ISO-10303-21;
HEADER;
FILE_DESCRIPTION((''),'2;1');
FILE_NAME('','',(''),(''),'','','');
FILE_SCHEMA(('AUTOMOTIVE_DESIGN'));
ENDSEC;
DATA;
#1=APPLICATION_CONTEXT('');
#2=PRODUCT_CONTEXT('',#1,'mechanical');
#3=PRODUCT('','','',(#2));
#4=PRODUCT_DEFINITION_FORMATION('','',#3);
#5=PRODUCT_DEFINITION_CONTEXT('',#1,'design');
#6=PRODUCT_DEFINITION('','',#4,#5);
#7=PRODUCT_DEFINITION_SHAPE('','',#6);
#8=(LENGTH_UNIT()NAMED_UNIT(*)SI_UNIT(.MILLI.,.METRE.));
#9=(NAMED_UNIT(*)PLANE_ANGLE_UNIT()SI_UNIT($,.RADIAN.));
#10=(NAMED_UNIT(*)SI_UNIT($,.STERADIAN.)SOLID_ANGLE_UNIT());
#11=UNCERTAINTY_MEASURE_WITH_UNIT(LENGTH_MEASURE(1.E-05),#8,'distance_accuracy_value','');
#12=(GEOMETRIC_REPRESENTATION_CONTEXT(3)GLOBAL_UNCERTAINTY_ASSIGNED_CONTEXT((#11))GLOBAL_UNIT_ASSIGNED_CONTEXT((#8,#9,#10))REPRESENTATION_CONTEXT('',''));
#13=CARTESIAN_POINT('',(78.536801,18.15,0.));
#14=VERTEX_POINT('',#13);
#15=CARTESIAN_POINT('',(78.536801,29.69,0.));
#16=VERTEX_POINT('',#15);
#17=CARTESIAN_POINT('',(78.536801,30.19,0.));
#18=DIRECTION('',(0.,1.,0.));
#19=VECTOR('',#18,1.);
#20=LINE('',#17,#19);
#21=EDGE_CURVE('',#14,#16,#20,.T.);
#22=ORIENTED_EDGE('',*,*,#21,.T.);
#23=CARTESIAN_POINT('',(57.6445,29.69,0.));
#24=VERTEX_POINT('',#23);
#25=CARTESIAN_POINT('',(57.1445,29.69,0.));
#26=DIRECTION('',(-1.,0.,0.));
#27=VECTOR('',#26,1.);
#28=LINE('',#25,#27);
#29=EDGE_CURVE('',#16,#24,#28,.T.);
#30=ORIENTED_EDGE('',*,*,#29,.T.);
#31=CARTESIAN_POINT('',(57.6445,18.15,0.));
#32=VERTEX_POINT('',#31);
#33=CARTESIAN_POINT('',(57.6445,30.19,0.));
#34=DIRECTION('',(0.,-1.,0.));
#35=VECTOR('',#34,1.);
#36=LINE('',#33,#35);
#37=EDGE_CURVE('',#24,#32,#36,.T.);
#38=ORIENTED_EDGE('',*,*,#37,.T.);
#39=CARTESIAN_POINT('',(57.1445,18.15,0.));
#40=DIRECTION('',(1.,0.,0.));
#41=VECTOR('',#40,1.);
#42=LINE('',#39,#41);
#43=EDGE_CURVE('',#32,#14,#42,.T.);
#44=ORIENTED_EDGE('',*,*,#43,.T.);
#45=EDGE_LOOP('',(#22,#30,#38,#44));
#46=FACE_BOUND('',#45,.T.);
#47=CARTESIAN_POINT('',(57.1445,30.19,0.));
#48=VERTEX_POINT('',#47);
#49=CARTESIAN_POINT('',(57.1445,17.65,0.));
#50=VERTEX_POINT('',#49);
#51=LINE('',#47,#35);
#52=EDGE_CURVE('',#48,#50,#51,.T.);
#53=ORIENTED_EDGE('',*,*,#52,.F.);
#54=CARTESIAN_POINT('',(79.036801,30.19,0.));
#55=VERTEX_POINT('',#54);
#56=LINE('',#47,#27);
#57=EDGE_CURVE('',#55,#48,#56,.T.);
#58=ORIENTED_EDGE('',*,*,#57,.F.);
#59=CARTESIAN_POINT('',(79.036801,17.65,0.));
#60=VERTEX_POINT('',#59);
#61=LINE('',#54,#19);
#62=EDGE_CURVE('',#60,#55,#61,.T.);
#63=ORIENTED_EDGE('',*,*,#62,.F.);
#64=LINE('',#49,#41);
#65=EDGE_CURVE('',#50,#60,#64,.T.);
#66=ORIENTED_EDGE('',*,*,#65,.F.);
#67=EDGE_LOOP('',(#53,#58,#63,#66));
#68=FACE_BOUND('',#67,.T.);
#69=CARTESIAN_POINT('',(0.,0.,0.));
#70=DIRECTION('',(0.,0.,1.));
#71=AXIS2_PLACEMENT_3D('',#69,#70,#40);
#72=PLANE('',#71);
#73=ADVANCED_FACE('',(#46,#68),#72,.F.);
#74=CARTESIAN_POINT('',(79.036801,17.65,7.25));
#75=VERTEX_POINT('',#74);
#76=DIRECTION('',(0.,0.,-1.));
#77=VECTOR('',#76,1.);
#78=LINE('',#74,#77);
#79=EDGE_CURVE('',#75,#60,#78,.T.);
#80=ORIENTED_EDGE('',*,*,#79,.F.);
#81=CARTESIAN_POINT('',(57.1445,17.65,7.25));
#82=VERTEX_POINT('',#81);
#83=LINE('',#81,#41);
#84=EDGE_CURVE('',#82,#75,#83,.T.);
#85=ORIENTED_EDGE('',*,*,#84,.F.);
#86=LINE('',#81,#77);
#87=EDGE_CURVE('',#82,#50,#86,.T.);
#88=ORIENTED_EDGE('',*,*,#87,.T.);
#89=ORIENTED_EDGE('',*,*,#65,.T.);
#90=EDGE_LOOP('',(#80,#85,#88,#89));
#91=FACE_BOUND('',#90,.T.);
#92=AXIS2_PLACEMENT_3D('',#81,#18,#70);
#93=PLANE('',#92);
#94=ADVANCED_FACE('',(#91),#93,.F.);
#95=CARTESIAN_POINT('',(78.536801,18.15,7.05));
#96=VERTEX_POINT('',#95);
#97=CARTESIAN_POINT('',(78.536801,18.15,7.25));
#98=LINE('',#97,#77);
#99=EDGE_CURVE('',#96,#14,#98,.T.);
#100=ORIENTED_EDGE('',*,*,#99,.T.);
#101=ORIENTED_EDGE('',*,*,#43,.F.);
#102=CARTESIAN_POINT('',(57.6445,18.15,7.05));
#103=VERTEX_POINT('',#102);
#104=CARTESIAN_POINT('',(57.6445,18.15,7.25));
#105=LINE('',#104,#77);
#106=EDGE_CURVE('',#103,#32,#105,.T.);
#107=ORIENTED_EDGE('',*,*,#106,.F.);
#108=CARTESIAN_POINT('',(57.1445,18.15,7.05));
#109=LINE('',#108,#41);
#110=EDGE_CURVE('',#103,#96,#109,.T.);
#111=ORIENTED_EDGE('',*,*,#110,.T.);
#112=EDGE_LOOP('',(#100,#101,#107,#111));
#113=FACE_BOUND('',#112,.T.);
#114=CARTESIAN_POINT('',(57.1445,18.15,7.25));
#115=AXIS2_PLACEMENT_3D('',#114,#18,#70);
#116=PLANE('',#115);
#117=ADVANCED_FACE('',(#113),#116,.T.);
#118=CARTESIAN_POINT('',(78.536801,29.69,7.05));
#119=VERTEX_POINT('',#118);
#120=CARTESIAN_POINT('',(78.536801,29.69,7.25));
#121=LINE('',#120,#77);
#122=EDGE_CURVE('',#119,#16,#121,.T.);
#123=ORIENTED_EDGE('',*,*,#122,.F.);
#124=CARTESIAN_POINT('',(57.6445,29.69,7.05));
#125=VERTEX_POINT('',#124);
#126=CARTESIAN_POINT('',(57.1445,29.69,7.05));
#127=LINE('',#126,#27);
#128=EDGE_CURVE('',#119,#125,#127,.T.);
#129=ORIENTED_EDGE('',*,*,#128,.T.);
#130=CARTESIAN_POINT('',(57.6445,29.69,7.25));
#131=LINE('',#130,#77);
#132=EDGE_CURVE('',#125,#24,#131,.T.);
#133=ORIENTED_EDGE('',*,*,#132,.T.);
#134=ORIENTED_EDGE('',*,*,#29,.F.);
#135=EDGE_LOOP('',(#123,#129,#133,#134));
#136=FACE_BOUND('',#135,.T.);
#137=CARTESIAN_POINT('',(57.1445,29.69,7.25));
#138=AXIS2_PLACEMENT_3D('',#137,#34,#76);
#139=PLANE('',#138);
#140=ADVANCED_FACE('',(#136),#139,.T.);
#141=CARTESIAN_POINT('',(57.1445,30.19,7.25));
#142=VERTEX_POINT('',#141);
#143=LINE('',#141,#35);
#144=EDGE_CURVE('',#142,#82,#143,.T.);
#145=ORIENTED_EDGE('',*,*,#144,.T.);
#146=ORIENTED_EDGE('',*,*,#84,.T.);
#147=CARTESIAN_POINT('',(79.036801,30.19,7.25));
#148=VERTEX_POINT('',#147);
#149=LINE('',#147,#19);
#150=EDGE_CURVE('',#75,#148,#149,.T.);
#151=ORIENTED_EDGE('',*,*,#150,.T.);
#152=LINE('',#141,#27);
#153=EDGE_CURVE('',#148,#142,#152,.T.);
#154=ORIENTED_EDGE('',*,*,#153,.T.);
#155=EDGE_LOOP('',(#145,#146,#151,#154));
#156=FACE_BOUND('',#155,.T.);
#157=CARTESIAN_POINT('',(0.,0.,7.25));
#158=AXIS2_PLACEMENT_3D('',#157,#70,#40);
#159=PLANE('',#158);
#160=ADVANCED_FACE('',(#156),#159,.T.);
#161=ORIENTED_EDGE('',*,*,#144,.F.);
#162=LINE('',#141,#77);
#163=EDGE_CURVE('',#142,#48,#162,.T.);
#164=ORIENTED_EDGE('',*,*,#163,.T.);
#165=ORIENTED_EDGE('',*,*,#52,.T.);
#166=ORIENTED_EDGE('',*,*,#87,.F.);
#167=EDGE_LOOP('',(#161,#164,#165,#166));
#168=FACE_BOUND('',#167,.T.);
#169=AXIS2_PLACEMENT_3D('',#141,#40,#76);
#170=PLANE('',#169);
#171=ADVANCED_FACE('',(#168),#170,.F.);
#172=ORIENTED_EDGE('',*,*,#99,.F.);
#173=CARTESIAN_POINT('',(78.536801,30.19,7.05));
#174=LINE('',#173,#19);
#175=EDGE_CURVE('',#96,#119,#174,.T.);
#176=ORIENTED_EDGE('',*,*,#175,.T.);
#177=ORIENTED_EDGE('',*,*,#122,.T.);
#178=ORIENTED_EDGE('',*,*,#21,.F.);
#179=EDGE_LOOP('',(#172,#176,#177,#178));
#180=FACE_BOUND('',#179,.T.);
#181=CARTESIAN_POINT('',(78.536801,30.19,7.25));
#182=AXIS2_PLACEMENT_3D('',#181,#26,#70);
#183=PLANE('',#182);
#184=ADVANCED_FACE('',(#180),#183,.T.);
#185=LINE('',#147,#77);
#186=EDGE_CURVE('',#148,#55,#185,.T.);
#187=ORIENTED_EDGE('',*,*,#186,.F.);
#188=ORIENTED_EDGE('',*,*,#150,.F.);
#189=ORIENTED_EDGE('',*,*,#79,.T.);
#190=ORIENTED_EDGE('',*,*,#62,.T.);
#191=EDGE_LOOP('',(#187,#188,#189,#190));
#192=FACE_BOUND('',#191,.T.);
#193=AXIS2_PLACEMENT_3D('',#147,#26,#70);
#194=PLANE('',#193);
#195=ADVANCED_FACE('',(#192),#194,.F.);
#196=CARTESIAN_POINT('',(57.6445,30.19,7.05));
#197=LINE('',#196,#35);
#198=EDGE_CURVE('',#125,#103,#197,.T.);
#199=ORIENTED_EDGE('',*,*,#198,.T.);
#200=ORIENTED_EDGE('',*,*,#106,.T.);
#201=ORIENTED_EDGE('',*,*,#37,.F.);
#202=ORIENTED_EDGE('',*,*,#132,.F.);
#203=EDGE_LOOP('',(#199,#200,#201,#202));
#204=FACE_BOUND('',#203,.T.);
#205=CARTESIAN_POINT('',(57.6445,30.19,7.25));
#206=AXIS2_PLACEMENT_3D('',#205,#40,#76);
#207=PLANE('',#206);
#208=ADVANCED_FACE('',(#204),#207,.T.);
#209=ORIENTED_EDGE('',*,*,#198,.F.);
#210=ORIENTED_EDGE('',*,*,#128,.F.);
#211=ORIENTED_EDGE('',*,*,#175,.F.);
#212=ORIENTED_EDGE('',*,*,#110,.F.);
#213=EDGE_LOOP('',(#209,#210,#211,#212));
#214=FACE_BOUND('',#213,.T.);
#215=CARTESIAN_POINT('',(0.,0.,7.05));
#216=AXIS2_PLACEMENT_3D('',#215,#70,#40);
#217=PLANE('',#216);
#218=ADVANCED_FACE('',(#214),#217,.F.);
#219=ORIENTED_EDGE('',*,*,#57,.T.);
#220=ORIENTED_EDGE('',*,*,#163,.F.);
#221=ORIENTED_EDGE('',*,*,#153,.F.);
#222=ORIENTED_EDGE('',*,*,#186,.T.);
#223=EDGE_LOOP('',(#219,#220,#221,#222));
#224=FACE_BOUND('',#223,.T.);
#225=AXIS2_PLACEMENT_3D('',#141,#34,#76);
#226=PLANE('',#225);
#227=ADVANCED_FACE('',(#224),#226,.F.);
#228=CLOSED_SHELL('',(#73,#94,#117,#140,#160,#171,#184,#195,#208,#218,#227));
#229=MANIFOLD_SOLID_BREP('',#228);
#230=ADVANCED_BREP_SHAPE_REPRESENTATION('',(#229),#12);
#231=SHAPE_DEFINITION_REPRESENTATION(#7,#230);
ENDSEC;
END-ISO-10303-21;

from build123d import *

# Parameters (mm, degrees)
SKETCH1_W                 = 21.89230149
SKETCH1_H                 = 12.54
BOSS_EXTRUDE1_DEPTH       = 7.25
SHELL1_T                  = -0.5
SHELL1_THICKNESS_2_FACE_W = 20.89230149
SHELL1_THICKNESS_2_FACE_H = 11.54
SHELL1_THICKNESS_2_DEPTH  = 0.3


with BuildPart() as part:
    # Sketch1 → Boss-Extrude1 (new body)
    with BuildSketch(Plane.XY):
        with Locations((68.090650745, 23.92)):
            Rectangle(SKETCH1_W, SKETCH1_H)
    extrude(amount=BOSS_EXTRUDE1_DEPTH)

    # Shell1
    shell1_openings = [part.faces().sort_by_distance(p)[0] for p in [
        (68.090650745, 23.92, 0),
    ]]
    offset(amount=SHELL1_T, openings=shell1_openings, kind=Kind.INTERSECTION)

    # Shell1 thickness 2 face (on inner face of the shell) → Shell1 thickness 2 (cut)
    with BuildSketch(Plane(origin=(68.090650745, 23.92, 6.75), x_dir=(1, 0, 0), z_dir=(0, 0, 1))):
        Rectangle(SHELL1_THICKNESS_2_FACE_W, SHELL1_THICKNESS_2_FACE_H)
    extrude(amount=SHELL1_THICKNESS_2_DEPTH, mode=Mode.SUBTRACT)


solid = part.part
